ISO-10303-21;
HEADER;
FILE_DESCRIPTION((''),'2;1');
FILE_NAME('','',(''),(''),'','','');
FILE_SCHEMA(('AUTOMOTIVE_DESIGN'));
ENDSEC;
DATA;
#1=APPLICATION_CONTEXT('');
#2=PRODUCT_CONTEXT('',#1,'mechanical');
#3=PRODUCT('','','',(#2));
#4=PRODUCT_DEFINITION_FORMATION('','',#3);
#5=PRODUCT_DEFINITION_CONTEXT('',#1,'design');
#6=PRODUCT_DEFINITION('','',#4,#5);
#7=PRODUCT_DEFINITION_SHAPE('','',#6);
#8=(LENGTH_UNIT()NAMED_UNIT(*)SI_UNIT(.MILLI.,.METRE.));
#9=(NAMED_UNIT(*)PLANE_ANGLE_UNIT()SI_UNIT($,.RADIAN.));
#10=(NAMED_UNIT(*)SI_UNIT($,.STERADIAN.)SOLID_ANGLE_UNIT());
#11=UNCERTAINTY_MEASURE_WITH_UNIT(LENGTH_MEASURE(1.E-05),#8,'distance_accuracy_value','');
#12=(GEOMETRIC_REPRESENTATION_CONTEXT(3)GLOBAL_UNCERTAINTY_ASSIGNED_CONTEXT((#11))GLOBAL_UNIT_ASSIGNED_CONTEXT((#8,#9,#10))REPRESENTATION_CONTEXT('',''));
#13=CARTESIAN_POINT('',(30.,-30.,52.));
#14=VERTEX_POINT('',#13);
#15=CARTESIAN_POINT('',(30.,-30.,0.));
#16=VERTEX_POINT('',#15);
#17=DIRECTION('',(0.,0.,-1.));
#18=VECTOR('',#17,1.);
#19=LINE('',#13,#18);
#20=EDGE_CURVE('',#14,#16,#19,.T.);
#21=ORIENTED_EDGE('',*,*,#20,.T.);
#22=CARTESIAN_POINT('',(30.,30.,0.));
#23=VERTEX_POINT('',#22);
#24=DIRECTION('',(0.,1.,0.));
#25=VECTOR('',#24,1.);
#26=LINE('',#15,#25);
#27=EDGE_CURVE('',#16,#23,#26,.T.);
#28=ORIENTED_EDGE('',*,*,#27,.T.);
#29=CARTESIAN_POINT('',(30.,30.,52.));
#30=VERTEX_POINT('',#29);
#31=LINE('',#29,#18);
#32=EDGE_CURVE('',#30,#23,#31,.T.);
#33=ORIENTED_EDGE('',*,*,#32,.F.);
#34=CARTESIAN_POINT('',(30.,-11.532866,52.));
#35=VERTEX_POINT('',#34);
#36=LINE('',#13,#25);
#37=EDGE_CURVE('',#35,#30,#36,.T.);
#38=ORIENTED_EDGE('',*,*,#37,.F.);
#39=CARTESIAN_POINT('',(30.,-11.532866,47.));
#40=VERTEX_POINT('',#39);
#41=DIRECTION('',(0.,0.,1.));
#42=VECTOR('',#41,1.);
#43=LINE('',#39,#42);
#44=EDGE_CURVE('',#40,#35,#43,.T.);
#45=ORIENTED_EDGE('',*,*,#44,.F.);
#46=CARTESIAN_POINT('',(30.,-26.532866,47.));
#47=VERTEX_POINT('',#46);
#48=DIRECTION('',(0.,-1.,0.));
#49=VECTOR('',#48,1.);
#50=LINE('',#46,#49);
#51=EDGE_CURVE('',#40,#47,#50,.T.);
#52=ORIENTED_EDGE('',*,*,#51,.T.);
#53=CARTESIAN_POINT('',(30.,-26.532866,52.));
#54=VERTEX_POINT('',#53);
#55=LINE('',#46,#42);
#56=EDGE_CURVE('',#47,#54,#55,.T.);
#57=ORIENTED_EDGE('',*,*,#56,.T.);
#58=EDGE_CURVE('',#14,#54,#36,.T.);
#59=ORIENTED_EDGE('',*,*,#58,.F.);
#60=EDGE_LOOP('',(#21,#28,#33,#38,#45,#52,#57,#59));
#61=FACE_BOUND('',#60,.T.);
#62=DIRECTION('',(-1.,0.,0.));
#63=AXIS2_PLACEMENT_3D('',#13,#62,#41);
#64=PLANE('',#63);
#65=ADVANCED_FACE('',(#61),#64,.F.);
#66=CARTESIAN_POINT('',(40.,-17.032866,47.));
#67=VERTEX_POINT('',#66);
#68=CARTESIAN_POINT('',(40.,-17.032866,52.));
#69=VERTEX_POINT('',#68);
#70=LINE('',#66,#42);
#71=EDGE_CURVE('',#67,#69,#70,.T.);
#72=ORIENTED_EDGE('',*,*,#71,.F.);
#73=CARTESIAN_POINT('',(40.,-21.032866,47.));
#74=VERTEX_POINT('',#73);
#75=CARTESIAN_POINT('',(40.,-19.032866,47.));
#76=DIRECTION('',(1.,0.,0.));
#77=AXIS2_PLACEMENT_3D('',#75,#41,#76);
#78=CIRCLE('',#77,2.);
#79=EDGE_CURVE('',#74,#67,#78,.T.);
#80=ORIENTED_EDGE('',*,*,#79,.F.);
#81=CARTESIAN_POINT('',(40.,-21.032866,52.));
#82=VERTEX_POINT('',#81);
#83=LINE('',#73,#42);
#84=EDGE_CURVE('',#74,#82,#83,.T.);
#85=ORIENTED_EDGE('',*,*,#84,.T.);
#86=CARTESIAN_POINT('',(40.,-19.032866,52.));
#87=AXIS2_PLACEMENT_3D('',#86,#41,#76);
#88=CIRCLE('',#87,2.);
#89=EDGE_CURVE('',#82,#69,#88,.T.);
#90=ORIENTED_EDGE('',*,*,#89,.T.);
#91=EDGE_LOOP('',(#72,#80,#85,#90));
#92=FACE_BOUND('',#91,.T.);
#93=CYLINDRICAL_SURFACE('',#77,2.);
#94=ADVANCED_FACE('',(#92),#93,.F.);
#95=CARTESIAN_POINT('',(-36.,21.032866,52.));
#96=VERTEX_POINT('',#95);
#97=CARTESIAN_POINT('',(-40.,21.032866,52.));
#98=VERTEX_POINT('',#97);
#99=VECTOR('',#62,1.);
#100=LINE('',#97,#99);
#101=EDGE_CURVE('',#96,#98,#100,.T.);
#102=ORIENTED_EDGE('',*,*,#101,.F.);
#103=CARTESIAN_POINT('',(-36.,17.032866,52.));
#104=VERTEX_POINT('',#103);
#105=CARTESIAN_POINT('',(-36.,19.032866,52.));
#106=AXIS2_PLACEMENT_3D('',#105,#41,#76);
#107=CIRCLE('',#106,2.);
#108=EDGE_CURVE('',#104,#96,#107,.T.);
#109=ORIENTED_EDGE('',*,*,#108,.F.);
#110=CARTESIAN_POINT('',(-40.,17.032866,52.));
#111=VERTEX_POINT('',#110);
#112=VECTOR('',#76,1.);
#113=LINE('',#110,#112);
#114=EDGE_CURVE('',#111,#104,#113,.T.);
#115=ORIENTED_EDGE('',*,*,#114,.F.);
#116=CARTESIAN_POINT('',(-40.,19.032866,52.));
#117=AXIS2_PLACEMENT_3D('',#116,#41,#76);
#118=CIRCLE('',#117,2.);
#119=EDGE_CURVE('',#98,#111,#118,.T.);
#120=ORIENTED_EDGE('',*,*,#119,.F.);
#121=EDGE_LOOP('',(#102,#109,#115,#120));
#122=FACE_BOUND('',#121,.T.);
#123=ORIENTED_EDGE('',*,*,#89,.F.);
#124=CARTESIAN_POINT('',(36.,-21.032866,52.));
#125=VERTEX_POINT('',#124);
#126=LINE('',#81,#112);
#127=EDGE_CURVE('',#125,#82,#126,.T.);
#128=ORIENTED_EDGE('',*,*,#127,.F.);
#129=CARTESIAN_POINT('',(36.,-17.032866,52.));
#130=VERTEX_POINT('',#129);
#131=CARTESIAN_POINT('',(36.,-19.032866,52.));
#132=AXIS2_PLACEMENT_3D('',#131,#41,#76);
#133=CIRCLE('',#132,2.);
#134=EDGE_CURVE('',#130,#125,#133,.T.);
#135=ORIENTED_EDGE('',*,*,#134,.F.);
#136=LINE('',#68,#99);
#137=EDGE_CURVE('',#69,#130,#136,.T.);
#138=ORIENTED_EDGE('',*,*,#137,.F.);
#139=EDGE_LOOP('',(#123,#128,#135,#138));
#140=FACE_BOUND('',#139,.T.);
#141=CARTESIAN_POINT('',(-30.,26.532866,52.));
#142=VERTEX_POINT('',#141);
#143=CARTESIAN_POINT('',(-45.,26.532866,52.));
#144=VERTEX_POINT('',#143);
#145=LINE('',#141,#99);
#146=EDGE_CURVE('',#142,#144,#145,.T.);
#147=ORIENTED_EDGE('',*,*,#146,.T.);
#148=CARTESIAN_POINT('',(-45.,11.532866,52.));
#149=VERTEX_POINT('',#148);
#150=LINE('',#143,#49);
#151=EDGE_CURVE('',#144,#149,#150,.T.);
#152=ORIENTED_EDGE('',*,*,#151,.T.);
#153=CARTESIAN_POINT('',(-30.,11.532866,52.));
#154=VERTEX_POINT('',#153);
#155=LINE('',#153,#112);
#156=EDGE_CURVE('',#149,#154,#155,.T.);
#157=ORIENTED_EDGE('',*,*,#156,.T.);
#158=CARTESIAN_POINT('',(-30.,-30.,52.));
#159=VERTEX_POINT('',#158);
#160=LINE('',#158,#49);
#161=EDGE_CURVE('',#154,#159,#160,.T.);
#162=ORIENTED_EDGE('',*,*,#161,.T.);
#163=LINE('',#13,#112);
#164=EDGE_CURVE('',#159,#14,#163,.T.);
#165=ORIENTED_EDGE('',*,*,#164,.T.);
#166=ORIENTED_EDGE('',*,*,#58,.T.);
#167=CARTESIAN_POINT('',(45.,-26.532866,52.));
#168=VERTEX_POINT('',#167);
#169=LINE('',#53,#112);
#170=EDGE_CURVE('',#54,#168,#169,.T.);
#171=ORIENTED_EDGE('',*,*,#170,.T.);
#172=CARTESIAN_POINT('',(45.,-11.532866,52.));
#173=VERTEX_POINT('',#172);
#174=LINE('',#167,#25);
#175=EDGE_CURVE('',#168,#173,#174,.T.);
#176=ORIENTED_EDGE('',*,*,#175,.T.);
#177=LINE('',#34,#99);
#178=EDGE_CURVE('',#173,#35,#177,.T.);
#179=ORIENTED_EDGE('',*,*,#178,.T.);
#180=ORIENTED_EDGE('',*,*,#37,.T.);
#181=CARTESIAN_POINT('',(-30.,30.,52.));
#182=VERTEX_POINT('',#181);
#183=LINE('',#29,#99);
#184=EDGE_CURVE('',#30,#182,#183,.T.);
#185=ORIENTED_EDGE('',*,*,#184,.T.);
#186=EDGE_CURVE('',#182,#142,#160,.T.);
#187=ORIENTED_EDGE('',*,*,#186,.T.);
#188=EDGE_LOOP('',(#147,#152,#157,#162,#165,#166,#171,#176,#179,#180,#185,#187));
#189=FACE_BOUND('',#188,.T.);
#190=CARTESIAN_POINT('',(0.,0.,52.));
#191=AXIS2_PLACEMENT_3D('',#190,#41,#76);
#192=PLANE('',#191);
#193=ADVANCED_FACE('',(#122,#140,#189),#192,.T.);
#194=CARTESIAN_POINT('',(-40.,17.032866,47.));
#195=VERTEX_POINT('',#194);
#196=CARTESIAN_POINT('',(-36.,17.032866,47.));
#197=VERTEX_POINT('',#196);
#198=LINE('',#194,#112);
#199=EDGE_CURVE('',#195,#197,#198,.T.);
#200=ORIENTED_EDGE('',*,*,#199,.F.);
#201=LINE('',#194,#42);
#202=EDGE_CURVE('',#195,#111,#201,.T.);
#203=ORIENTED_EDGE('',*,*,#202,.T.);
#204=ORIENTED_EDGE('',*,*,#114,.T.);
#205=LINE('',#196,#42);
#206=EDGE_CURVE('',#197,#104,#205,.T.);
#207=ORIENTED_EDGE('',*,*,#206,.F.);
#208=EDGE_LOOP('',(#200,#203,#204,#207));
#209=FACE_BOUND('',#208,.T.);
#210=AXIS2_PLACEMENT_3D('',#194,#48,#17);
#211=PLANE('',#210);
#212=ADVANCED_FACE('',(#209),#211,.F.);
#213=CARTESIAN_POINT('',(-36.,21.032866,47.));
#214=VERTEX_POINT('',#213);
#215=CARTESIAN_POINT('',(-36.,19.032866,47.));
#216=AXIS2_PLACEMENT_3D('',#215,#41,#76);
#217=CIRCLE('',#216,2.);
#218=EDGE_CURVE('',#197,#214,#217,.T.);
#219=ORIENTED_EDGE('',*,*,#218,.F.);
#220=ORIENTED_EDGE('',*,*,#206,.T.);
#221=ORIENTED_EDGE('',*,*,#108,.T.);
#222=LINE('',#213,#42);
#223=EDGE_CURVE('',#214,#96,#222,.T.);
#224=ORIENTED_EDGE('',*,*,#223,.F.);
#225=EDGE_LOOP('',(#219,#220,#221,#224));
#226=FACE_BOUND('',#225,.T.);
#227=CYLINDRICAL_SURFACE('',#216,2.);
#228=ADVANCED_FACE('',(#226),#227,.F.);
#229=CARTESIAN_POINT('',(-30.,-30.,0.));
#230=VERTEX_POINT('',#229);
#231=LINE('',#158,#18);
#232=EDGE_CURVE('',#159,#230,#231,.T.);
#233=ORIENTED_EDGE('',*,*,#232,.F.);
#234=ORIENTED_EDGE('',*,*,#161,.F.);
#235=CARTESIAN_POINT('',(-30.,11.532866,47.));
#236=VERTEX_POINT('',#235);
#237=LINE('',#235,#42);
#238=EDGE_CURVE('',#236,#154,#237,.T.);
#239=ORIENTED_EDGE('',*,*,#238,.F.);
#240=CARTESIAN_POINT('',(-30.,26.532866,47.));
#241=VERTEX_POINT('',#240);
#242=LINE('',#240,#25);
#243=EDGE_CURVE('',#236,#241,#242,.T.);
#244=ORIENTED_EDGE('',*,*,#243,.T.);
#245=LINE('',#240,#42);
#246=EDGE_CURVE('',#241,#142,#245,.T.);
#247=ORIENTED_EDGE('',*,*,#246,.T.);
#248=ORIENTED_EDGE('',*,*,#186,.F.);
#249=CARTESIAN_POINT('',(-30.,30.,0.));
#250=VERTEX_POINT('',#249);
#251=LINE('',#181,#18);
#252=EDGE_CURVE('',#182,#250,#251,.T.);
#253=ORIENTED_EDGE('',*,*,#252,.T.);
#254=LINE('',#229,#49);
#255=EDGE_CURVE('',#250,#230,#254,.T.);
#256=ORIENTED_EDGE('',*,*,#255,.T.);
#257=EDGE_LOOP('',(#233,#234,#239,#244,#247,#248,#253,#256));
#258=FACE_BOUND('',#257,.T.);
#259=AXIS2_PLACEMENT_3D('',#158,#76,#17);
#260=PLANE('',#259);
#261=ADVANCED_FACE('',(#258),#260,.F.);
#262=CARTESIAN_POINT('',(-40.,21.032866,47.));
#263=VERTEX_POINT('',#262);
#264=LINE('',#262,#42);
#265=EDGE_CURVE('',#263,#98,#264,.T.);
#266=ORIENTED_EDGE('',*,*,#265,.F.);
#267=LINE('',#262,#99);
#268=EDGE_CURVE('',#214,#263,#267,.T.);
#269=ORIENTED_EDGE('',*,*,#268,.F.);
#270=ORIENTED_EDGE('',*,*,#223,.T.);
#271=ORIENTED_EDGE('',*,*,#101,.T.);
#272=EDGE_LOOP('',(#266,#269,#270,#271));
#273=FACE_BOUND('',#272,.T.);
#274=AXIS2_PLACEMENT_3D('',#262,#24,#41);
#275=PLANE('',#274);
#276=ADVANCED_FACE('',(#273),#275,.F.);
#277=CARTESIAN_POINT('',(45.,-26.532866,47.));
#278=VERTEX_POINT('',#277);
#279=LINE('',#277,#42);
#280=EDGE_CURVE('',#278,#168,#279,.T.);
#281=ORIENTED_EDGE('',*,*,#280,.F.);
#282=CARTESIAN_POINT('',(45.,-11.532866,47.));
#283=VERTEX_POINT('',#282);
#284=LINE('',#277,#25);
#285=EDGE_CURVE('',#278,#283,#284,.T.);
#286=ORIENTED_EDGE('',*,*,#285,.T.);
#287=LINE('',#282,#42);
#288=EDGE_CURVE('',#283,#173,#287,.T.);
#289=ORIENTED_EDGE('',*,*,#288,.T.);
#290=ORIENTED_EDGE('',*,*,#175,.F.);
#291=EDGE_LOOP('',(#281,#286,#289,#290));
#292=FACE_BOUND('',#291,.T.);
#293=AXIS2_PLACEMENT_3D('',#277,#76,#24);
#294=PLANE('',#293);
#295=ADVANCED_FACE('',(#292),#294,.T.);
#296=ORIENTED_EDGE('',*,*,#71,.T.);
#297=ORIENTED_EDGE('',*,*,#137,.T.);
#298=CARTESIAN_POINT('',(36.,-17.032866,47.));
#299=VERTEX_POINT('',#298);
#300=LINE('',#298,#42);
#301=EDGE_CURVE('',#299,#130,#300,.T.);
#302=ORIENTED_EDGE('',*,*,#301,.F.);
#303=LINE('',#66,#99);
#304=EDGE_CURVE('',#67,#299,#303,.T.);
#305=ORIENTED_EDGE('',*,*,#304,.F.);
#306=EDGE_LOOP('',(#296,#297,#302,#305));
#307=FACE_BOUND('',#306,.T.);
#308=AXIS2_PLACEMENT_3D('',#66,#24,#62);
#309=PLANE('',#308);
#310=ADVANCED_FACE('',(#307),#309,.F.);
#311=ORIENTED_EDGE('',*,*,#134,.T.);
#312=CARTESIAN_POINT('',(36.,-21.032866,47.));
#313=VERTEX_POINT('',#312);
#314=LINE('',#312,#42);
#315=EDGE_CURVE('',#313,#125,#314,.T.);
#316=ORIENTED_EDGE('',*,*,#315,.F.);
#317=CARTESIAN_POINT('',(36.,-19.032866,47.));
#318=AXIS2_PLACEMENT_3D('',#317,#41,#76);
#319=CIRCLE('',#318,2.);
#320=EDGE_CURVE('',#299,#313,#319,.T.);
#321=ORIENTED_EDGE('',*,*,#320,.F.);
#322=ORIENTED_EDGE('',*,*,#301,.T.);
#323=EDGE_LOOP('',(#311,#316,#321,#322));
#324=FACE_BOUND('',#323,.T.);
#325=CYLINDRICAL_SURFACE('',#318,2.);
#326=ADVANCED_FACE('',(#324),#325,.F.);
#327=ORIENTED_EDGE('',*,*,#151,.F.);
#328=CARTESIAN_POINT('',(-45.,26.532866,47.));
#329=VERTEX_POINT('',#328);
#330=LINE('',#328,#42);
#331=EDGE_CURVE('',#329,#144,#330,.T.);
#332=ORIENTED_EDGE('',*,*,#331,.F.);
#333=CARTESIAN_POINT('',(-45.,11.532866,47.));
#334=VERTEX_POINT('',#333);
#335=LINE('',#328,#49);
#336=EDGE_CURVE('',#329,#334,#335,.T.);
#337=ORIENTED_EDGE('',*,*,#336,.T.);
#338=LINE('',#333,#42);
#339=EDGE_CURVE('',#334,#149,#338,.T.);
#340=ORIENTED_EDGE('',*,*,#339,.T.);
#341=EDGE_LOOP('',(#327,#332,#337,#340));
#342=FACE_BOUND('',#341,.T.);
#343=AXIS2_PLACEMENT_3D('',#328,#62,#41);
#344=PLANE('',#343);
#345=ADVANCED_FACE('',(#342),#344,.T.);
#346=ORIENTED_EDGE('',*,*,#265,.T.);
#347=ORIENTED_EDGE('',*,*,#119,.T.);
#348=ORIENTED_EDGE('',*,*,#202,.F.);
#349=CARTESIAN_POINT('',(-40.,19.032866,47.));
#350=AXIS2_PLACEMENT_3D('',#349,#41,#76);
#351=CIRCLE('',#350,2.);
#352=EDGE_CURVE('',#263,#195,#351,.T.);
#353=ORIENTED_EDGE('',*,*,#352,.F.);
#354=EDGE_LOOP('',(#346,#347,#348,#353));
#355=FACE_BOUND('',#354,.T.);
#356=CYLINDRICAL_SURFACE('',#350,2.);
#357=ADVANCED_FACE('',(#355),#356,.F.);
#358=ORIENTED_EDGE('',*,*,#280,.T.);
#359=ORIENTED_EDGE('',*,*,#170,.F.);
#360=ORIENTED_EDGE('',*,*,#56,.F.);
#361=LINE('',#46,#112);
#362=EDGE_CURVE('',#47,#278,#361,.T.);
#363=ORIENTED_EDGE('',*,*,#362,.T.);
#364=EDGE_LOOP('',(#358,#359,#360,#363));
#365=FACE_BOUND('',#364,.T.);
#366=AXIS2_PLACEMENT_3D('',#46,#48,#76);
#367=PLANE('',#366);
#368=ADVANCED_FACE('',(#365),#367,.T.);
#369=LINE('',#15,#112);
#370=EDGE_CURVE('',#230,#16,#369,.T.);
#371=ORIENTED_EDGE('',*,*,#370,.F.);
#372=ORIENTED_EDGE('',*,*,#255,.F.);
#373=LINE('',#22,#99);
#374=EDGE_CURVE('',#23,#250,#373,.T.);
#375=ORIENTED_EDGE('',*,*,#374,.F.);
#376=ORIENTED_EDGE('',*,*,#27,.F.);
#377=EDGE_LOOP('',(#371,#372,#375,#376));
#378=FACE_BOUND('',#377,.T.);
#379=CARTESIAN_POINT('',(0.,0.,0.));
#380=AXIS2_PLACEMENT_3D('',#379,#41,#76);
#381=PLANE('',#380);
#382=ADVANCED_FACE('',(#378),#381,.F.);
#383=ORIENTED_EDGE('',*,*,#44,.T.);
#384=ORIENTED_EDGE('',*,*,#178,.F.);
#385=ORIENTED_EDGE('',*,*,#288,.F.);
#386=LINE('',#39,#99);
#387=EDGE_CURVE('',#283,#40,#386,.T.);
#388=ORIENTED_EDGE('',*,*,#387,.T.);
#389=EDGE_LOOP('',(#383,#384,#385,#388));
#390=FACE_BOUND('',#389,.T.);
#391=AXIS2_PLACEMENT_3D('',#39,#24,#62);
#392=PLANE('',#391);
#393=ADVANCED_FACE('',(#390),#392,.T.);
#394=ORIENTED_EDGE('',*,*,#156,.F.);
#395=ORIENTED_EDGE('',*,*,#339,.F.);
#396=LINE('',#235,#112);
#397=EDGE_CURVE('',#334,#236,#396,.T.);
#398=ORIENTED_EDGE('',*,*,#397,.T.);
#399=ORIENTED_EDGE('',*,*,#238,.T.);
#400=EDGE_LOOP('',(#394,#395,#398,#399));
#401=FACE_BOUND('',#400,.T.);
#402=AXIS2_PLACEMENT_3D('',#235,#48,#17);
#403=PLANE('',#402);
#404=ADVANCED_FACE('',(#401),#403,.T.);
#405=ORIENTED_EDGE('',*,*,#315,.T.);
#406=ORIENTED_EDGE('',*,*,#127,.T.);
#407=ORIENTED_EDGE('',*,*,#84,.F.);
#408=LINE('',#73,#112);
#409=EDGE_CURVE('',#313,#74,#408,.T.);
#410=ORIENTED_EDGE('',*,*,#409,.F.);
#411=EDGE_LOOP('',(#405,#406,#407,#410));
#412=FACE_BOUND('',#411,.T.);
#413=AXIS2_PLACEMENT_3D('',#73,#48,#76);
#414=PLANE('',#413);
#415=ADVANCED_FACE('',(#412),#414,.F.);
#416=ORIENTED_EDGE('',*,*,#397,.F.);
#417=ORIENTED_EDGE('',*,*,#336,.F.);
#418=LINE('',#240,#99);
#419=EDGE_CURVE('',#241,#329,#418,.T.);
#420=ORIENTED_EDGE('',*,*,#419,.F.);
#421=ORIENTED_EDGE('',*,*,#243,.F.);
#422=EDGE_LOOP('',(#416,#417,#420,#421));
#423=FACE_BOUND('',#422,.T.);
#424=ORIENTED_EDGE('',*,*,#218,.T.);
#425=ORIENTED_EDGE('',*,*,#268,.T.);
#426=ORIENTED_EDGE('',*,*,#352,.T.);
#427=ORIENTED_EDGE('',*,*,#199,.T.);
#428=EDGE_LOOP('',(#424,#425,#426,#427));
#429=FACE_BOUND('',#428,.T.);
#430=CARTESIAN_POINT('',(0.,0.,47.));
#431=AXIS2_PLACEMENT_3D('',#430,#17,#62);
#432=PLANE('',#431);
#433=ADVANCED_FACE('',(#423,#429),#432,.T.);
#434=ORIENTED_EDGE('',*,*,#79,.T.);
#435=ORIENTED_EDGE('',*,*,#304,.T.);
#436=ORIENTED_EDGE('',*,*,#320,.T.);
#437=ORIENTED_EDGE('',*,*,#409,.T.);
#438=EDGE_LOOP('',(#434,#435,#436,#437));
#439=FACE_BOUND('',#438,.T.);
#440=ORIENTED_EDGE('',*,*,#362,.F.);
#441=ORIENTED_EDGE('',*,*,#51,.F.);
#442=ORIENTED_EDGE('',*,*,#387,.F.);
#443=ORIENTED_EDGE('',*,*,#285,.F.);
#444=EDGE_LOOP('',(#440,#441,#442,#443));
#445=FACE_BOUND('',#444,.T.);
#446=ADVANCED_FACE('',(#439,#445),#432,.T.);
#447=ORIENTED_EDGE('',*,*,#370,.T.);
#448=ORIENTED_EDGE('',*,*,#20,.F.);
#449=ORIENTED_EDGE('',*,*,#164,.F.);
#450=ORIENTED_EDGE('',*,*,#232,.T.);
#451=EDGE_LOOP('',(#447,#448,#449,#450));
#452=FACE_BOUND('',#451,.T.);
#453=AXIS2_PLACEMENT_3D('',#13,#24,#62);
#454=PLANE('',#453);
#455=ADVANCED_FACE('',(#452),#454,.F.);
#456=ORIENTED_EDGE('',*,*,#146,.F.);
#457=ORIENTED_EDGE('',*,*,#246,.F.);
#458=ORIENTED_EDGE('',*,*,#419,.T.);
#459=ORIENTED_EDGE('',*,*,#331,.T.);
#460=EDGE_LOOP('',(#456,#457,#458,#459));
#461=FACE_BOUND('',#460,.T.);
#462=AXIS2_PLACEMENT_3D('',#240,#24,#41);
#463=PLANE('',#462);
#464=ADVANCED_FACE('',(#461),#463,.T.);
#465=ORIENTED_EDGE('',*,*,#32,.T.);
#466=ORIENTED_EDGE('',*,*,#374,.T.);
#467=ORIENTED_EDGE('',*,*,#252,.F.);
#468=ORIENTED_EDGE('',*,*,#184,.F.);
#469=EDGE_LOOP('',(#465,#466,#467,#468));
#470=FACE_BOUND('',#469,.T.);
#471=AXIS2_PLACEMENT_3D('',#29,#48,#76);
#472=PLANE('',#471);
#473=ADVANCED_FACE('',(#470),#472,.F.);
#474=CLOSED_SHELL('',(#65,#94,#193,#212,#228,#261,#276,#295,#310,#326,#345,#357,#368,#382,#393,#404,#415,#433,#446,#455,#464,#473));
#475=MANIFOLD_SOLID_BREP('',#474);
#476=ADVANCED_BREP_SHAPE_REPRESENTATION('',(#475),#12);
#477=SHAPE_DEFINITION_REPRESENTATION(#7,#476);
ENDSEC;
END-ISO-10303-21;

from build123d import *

# Parameters (mm, degrees)
SKETCH_1_W      = 60
SKETCH_1_H      = 60
EXTRUDE_1_DEPTH = 52
SKETCH_2_W      = 15
SKETCH_2_H      = 15
EXTRUDE_2_DEPTH = 5


with BuildPart() as part:
    # 草图1 → 凸台-拉伸1 (new body)
    with BuildSketch(Plane.XY):
        Rectangle(SKETCH_1_W, SKETCH_1_H)
    extrude(amount=EXTRUDE_1_DEPTH)

    # 草图2 → 凸台-拉伸2 (add)
    # profile 1 of 2: a face of its own
    with BuildSketch(Plane.XY.offset(52)):
        with Locations((-37.5, 19.032866311)):
            Rectangle(SKETCH_2_W, SKETCH_2_H)
        with BuildLine():
            Line((-40, 21.032866311), (-36, 21.032866311))
            ThreePointArc((-36, 21.032866311), (-34, 19.032866311), (-36, 17.032866311))
            Line((-36, 17.032866311), (-40, 17.032866311))
            ThreePointArc((-40, 17.032866311), (-42, 19.032866311), (-40, 21.032866311))
        make_face(mode=Mode.SUBTRACT)
    # profile 2 of 2: a face of its own
    with BuildSketch(Plane.XY.offset(52)):
        with Locations((37.5, -19.032866311)):
            Rectangle(SKETCH_2_W, SKETCH_2_H)
        with BuildLine():
            Line((40, -21.032866311), (36, -21.032866311))
            ThreePointArc((36, -21.032866311), (34, -19.032866311), (36, -17.032866311))
            Line((36, -17.032866311), (40, -17.032866311))
            ThreePointArc((40, -17.032866311), (42, -19.032866311), (40, -21.032866311))
        make_face(mode=Mode.SUBTRACT)
    extrude(amount=-EXTRUDE_2_DEPTH)


solid = part.part
